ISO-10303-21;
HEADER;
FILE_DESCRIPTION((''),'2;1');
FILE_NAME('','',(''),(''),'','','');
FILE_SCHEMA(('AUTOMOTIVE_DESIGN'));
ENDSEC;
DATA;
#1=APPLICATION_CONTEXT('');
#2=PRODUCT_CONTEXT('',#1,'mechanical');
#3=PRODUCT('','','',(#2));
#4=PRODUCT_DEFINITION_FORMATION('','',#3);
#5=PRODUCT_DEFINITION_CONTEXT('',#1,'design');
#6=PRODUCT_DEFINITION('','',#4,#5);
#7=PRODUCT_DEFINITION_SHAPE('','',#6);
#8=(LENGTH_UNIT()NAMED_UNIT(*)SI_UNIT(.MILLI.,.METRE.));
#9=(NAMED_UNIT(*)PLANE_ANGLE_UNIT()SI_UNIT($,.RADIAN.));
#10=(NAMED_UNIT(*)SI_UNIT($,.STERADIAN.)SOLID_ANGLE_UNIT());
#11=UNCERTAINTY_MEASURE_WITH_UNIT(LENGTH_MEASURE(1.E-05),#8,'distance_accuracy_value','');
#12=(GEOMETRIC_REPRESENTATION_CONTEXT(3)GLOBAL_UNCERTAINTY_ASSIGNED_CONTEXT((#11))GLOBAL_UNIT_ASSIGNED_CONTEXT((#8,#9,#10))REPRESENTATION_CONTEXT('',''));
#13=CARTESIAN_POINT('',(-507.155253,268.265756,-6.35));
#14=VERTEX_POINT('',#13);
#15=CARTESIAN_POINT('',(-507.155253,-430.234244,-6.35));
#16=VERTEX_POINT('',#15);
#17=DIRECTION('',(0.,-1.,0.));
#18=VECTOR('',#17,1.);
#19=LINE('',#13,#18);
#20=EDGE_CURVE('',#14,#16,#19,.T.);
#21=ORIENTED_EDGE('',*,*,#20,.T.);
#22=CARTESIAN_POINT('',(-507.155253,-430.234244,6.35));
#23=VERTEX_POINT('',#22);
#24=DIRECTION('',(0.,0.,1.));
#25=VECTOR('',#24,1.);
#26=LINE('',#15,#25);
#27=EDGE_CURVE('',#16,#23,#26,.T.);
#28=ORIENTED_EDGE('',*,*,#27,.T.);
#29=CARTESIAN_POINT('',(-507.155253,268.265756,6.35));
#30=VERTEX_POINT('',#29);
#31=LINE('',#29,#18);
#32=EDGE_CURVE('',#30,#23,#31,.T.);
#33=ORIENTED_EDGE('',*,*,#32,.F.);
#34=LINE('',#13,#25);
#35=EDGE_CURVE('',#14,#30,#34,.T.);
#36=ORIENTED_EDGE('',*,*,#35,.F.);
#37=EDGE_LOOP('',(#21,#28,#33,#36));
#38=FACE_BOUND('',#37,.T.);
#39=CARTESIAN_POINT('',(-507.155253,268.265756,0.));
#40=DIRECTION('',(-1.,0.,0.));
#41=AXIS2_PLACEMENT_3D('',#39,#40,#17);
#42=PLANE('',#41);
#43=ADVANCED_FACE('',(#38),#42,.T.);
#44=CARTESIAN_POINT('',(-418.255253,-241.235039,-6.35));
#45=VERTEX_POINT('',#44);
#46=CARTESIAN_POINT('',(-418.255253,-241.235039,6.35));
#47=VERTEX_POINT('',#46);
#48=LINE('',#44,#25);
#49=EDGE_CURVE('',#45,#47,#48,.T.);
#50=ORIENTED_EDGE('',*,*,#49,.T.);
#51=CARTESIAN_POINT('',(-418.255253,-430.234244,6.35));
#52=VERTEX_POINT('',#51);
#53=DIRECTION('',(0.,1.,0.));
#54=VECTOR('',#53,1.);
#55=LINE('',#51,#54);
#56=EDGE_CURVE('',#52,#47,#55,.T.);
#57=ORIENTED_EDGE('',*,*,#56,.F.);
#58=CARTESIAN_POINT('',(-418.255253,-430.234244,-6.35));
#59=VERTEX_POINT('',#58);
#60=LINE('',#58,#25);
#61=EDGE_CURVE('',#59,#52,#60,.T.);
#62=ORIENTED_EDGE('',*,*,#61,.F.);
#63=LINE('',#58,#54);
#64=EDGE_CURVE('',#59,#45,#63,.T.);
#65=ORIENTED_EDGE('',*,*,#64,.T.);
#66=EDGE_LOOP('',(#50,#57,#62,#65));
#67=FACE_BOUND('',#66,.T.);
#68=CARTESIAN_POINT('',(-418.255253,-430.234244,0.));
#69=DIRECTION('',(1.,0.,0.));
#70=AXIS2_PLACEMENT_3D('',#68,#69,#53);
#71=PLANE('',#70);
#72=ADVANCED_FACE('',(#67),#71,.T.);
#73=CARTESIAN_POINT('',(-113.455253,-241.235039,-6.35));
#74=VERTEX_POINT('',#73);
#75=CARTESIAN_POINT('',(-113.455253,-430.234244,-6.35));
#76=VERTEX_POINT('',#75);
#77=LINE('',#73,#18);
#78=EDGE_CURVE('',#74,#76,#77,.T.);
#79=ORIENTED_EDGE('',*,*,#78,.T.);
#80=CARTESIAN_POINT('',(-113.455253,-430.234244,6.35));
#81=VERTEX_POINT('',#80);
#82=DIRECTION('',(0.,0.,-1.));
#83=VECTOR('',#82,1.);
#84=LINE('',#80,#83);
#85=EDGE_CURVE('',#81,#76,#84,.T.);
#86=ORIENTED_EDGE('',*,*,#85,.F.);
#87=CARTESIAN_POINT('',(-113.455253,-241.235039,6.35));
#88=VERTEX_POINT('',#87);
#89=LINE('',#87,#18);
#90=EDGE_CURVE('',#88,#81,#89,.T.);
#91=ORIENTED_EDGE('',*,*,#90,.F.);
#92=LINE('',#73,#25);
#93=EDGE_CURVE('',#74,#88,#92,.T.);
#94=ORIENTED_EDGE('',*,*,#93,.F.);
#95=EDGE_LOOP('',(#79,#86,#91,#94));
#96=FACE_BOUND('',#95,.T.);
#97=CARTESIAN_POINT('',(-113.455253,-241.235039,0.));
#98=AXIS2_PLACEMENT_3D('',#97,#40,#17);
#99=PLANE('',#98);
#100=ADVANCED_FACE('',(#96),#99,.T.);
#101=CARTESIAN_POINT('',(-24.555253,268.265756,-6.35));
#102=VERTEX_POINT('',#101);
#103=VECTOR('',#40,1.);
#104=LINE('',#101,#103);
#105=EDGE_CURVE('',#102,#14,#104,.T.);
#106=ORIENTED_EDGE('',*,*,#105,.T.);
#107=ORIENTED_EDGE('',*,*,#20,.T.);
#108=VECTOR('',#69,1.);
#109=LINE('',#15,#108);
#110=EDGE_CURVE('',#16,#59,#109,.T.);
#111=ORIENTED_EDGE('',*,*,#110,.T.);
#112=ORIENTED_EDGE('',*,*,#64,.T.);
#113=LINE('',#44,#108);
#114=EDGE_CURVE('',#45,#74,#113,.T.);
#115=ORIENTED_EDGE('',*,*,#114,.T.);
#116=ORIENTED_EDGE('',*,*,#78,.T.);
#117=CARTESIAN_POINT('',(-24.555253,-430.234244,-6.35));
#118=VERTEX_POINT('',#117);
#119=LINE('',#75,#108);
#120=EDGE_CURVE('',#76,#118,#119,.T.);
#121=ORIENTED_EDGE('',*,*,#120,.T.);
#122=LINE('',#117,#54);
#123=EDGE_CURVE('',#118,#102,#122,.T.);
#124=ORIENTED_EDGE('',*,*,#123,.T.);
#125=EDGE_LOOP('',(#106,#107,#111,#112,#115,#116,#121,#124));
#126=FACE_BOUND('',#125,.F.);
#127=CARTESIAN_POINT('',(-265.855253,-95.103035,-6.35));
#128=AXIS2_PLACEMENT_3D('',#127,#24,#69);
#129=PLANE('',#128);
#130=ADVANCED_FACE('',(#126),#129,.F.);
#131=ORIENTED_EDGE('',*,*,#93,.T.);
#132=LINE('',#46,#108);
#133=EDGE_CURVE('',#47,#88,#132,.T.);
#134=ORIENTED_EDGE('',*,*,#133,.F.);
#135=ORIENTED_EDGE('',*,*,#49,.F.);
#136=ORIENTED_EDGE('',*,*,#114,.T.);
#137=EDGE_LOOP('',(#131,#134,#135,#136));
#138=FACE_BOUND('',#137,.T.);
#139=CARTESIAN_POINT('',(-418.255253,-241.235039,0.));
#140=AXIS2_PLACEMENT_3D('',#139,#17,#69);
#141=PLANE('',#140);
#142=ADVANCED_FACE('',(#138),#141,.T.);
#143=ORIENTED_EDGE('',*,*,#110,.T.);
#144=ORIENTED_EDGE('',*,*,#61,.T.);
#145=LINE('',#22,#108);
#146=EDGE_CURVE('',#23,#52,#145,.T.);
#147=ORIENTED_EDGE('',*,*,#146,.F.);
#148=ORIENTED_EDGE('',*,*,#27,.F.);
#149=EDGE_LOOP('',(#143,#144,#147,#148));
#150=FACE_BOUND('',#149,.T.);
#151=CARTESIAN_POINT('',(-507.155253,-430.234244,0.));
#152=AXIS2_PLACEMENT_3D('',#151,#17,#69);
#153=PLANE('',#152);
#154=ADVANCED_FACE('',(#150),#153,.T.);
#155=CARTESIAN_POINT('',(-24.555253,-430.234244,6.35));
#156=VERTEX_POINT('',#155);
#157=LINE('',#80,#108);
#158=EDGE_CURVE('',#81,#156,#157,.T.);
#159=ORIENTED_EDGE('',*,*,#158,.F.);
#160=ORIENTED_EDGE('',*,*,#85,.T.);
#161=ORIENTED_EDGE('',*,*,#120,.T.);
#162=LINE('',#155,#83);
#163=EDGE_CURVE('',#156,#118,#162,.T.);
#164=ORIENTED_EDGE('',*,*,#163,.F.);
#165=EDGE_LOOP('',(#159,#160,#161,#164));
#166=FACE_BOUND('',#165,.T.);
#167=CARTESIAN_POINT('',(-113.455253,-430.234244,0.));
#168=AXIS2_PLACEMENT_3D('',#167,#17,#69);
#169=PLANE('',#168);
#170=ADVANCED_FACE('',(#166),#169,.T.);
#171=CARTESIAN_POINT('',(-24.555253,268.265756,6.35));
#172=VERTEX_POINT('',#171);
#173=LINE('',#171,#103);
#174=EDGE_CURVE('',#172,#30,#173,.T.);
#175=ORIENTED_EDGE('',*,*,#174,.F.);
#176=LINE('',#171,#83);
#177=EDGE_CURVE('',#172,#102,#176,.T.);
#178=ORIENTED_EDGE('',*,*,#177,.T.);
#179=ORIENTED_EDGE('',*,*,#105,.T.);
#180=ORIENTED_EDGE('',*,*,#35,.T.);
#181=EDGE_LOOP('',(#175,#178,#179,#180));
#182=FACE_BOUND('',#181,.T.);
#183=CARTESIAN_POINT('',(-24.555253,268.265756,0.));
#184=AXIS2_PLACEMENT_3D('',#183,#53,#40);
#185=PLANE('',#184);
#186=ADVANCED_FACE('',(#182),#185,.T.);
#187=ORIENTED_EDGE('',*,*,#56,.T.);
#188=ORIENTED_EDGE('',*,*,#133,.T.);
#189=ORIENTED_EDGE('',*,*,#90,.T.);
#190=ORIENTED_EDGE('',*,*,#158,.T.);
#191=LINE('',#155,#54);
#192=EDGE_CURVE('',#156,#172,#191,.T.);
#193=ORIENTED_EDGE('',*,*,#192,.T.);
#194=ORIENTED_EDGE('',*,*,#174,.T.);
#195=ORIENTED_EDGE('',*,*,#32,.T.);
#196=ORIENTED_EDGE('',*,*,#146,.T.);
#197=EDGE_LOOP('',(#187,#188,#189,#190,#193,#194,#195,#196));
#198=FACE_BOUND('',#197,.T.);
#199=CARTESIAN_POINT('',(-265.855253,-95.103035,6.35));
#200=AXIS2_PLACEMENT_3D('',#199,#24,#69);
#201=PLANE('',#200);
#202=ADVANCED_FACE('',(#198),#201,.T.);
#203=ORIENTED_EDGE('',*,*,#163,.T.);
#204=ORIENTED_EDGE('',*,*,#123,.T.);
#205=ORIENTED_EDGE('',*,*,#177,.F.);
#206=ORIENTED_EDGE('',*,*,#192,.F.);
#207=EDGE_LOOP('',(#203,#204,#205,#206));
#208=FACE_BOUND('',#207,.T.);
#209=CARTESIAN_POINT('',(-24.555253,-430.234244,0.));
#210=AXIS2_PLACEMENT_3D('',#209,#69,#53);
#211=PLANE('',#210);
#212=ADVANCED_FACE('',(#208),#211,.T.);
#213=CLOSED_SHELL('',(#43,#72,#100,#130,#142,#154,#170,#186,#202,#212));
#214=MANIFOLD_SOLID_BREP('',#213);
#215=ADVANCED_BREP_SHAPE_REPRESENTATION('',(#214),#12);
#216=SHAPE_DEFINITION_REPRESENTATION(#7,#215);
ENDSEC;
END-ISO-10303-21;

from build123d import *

# Parameters (mm, degrees)
F1_DEPTH = 6.35


with BuildPart() as f1:
    # F0 (on Top) → F1 (new body, symmetric)
    with BuildSketch(Plane.XY):
        Polygon((-24.555253, 268.265756), (-507.155253, 268.265756), (-507.155253, -430.234244), (-418.255253, -430.234244), (-418.255253, -241.235039), (-113.455253, -241.235039), (-113.455253, -430.234244), (-24.555253, -430.234244), align=None)
    extrude(amount=F1_DEPTH, both=True)


solid = f1.part
